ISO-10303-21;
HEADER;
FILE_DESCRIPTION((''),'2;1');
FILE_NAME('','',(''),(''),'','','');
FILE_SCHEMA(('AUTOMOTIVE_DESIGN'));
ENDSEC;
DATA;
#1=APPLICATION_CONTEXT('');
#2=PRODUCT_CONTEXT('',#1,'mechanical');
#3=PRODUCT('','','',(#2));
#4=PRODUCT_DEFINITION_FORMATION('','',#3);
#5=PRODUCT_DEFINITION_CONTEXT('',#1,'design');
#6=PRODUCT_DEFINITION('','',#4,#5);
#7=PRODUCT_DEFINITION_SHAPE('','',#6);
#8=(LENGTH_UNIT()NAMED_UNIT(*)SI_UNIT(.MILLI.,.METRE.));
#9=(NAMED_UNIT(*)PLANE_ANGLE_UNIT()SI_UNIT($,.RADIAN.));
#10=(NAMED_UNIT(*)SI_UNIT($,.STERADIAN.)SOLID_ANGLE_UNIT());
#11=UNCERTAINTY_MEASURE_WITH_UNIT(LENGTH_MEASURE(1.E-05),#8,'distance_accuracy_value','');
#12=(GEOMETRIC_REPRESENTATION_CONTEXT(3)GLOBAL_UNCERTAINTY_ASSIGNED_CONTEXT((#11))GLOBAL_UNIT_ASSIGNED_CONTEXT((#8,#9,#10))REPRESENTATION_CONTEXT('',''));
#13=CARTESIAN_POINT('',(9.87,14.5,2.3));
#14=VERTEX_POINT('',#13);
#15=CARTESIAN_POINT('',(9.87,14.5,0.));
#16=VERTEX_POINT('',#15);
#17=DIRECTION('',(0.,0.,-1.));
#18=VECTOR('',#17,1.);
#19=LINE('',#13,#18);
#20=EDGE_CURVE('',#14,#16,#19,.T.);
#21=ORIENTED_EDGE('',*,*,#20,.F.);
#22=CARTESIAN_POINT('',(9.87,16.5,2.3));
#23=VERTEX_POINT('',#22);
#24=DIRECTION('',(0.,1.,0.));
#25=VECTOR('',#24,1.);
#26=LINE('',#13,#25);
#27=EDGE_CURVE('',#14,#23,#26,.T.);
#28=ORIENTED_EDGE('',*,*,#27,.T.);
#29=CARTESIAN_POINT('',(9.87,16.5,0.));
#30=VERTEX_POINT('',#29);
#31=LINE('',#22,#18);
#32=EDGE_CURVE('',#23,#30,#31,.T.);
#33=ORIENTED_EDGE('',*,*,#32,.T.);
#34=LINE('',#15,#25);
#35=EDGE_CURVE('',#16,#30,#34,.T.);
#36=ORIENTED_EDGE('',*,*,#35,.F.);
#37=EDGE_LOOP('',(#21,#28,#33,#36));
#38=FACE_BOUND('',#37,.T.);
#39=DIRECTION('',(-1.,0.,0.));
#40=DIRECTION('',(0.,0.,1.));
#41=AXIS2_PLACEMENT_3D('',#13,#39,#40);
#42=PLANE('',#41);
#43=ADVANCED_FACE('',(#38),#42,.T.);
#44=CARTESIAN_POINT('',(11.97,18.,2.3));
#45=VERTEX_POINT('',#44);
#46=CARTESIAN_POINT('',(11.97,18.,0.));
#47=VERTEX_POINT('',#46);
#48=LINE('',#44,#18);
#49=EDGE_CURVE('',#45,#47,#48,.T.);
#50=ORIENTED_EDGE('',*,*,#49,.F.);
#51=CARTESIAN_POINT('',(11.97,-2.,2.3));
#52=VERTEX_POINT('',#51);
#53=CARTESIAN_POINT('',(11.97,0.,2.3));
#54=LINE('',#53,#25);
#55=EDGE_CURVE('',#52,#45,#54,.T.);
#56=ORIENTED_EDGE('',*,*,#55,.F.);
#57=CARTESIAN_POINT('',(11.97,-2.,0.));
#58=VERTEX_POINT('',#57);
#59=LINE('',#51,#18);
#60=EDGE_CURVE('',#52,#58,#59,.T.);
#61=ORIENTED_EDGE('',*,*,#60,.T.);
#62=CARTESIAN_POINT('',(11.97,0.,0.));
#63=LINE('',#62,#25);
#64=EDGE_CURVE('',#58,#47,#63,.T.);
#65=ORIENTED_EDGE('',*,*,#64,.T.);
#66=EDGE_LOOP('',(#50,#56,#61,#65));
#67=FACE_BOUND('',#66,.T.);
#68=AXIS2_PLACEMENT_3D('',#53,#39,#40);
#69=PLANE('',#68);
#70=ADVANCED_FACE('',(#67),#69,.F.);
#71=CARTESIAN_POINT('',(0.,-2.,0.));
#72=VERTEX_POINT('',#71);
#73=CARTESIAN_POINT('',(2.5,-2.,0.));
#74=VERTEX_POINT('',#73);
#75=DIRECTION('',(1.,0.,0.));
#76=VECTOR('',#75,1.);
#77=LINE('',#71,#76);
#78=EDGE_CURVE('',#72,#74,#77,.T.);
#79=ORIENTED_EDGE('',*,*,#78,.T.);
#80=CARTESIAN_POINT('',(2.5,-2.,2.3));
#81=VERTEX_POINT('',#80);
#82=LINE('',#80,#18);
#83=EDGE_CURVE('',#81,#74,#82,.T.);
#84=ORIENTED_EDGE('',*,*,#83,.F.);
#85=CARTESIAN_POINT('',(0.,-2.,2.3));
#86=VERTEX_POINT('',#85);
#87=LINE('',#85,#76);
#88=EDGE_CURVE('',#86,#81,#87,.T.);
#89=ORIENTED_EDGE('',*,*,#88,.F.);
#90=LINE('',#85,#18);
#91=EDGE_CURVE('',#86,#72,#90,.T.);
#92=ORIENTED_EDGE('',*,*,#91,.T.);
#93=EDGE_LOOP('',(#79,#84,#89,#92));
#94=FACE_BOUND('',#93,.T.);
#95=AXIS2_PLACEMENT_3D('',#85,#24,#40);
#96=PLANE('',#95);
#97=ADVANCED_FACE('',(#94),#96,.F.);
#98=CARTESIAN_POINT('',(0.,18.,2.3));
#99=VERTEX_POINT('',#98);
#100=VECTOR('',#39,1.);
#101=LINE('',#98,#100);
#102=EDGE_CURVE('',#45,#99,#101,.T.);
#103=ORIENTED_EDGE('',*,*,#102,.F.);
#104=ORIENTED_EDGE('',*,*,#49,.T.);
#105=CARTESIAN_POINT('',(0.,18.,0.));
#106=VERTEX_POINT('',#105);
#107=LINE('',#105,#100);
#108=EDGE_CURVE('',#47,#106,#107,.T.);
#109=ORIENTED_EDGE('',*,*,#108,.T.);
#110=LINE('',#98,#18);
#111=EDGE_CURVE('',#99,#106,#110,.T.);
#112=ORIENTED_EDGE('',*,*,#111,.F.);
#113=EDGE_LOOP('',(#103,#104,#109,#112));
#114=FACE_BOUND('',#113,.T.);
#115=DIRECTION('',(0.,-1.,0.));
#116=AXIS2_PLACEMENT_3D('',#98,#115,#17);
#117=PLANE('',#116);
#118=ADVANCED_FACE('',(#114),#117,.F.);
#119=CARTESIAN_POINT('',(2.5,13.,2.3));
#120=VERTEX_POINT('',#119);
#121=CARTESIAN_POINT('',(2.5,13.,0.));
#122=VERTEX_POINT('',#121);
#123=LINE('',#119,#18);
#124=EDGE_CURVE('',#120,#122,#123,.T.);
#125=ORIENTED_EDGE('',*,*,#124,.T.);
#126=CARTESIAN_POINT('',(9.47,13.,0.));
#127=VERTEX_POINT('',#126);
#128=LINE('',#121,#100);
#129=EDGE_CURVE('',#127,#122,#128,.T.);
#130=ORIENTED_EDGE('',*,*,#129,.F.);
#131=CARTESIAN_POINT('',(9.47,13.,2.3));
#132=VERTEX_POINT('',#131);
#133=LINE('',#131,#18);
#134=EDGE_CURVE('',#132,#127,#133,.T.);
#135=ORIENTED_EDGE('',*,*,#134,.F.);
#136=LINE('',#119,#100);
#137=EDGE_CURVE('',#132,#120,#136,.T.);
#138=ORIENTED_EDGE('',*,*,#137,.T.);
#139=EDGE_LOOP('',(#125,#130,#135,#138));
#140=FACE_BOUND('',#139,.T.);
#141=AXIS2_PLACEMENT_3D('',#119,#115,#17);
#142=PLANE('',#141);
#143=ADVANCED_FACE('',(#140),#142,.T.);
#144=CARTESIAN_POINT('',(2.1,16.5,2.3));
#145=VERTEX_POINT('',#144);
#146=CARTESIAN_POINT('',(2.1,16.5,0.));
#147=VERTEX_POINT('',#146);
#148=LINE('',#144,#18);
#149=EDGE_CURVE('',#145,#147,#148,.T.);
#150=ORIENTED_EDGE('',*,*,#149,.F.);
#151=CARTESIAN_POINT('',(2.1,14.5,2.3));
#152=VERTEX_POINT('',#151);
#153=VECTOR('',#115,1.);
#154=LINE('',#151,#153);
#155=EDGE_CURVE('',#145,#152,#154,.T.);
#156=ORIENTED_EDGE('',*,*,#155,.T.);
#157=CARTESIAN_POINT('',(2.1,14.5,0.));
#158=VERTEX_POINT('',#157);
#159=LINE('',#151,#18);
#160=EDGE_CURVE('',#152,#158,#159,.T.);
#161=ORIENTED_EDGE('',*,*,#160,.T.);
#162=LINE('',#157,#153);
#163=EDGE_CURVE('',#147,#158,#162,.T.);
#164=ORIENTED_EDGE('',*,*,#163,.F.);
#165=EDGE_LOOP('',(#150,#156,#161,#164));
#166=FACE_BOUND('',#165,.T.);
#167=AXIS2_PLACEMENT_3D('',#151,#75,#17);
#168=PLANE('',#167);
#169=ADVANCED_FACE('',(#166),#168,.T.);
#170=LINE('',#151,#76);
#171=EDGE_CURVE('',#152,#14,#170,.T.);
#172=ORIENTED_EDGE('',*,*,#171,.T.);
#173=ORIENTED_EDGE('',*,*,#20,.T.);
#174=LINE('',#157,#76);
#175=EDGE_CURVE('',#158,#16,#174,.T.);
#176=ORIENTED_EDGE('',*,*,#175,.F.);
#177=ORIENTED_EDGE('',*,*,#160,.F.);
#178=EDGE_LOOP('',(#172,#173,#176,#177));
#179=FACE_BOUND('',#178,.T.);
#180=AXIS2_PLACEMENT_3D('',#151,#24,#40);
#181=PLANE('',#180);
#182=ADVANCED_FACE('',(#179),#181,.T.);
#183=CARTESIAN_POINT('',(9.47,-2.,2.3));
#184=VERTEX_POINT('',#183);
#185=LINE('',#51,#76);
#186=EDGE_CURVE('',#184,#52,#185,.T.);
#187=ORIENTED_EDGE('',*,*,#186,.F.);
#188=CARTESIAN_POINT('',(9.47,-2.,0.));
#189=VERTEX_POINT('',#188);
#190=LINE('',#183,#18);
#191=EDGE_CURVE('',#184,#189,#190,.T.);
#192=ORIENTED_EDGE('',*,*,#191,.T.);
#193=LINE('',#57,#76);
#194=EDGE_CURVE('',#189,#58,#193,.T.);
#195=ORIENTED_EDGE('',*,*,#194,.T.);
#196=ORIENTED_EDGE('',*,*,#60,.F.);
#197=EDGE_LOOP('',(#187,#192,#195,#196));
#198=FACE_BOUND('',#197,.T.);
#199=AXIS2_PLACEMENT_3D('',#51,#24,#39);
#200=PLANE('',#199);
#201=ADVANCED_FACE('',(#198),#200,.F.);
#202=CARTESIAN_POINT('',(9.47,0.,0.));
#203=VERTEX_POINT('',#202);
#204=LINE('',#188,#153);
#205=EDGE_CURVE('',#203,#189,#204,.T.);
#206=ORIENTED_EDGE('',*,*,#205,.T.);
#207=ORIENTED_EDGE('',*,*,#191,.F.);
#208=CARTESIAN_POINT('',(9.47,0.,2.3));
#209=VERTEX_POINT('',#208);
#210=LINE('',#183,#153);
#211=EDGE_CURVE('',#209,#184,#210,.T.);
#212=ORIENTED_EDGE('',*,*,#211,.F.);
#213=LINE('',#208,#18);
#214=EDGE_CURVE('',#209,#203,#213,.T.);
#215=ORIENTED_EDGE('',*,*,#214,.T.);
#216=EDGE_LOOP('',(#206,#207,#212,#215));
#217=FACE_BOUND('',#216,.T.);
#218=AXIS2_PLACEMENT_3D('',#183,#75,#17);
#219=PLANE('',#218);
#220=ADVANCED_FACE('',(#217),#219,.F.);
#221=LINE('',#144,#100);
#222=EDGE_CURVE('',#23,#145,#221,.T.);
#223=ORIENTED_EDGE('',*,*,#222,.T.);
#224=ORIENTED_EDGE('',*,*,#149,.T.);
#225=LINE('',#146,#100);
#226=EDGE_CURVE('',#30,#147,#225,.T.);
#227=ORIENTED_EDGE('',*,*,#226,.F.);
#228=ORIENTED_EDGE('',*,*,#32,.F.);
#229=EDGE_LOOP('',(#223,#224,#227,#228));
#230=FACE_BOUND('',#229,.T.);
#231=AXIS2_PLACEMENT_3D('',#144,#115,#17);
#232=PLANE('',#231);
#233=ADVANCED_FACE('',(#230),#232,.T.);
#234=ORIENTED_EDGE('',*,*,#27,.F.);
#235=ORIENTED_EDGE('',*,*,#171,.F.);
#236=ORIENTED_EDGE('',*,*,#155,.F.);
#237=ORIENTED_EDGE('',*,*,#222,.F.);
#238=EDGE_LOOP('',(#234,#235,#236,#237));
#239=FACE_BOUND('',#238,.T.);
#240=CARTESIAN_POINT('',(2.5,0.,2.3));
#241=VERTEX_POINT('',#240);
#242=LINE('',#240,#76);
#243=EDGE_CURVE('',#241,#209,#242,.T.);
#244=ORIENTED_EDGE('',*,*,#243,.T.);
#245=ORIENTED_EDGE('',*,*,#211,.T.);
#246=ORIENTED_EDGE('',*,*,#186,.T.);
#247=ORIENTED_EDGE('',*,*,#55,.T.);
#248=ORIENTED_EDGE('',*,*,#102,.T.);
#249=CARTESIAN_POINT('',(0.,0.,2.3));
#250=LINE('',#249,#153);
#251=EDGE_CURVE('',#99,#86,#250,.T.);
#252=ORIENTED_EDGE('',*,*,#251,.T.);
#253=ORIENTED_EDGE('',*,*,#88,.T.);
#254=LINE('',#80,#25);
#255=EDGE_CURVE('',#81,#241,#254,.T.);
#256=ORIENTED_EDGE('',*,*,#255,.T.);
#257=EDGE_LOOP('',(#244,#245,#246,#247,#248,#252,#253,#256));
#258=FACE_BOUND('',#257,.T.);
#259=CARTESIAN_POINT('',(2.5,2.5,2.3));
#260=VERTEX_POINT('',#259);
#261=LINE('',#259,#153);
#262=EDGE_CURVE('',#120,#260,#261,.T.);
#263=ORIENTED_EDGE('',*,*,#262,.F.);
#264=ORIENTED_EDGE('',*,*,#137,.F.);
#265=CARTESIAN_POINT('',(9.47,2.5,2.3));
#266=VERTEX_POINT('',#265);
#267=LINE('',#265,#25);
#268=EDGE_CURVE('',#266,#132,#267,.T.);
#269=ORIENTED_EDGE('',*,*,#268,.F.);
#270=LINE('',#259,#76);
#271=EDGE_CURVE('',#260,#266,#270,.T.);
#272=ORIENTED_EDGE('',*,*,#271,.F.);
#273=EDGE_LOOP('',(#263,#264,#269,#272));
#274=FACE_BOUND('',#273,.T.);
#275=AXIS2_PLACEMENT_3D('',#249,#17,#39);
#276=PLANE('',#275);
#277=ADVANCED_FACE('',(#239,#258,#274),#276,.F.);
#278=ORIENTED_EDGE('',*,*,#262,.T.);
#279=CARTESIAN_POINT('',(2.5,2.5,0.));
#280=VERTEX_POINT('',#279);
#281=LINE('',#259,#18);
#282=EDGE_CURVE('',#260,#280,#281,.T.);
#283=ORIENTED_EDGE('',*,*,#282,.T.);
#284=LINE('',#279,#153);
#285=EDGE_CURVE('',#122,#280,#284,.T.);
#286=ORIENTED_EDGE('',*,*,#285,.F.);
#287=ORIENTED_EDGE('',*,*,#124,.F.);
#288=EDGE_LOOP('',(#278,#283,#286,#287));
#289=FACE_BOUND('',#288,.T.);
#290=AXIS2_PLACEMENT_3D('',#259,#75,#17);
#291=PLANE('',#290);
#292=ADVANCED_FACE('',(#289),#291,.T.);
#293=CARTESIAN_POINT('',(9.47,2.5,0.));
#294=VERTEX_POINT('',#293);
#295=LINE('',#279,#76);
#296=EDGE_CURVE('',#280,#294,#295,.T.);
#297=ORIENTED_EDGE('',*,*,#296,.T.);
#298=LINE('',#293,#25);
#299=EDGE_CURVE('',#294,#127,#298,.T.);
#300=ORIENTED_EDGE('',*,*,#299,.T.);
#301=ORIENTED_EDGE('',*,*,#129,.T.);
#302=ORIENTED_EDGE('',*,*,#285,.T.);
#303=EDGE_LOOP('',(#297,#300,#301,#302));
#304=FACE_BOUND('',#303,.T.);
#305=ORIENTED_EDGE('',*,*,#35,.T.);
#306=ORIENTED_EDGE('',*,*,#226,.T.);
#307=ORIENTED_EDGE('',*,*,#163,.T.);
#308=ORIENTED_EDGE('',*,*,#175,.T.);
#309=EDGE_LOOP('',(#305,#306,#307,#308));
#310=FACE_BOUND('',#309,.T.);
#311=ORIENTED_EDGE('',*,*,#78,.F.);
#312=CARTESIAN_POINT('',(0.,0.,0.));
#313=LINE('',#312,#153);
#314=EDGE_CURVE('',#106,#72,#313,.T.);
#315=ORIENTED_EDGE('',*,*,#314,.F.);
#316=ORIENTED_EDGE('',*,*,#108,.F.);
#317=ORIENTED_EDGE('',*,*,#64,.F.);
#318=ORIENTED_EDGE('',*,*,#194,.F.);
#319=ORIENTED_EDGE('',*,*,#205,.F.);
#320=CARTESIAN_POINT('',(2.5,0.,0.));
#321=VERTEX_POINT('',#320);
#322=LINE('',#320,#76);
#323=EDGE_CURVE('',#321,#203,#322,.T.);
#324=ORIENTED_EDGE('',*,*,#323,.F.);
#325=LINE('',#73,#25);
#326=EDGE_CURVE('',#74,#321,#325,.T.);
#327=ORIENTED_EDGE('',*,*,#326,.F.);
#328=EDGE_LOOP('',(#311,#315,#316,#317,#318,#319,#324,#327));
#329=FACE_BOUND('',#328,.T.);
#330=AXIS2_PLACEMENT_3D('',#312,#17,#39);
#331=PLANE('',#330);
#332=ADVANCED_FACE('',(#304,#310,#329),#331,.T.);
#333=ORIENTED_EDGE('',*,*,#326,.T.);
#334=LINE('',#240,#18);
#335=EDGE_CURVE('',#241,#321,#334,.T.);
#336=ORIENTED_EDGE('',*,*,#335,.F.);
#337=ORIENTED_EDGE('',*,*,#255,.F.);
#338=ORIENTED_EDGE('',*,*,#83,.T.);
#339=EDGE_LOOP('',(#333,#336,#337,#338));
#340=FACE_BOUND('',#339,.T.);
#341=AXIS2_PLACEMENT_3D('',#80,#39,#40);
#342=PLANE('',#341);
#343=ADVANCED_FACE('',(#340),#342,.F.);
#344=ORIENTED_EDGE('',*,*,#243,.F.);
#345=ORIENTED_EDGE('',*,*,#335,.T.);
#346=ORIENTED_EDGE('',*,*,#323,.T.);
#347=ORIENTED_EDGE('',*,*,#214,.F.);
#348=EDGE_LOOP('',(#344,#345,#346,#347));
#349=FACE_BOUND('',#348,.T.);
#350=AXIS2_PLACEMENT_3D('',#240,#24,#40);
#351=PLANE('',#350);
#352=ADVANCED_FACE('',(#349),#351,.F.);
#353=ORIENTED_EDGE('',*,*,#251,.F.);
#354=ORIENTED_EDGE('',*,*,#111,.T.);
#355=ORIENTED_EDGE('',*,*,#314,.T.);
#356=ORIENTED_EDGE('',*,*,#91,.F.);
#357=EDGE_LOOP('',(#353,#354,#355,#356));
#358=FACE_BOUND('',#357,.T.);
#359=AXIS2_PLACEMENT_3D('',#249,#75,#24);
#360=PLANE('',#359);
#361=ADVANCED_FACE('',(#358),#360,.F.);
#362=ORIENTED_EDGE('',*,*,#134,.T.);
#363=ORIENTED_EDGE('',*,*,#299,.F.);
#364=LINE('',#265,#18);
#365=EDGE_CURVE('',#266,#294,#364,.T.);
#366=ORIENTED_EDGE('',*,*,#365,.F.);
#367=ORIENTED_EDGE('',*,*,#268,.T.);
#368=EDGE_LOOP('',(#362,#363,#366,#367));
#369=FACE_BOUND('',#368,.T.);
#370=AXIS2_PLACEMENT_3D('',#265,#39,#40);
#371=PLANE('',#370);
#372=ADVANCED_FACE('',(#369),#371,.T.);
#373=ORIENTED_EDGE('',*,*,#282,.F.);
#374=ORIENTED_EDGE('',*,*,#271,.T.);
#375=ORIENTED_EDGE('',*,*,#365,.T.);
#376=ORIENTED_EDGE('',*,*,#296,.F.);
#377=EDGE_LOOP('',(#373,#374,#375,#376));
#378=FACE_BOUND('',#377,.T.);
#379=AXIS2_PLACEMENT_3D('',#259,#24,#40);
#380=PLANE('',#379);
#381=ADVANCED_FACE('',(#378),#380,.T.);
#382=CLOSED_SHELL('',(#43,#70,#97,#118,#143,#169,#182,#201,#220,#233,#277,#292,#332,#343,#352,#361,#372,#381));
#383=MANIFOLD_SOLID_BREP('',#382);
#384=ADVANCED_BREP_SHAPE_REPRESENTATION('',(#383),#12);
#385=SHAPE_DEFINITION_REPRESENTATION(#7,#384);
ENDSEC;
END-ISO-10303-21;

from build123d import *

# Parameters (mm, degrees)
SKETCH1_W           = 6.97
SKETCH1_H           = 10.5
SKETCH1_W_2         = 7.77
SKETCH1_H_2         = 2
BOSS_EXTRUDE1_DEPTH = 2.3


with BuildPart() as part:
    # Sketch1 → Boss-Extrude1 (new body)
    with BuildSketch(Plane.XY):
        Polygon((0, 0), (0, -2), (2.5, -2), (2.5, 0), (9.47, 0), (9.47, -2), (11.97, -2), (11.97, 0), (11.97, 18), (0, 18), align=None)
        with Locations((5.985, 7.75)):
            Rectangle(SKETCH1_W, SKETCH1_H, mode=Mode.SUBTRACT)
        with Locations((5.985, 15.5)):
            Rectangle(SKETCH1_W_2, SKETCH1_H_2, mode=Mode.SUBTRACT)
    extrude(amount=BOSS_EXTRUDE1_DEPTH)


solid = part.part
